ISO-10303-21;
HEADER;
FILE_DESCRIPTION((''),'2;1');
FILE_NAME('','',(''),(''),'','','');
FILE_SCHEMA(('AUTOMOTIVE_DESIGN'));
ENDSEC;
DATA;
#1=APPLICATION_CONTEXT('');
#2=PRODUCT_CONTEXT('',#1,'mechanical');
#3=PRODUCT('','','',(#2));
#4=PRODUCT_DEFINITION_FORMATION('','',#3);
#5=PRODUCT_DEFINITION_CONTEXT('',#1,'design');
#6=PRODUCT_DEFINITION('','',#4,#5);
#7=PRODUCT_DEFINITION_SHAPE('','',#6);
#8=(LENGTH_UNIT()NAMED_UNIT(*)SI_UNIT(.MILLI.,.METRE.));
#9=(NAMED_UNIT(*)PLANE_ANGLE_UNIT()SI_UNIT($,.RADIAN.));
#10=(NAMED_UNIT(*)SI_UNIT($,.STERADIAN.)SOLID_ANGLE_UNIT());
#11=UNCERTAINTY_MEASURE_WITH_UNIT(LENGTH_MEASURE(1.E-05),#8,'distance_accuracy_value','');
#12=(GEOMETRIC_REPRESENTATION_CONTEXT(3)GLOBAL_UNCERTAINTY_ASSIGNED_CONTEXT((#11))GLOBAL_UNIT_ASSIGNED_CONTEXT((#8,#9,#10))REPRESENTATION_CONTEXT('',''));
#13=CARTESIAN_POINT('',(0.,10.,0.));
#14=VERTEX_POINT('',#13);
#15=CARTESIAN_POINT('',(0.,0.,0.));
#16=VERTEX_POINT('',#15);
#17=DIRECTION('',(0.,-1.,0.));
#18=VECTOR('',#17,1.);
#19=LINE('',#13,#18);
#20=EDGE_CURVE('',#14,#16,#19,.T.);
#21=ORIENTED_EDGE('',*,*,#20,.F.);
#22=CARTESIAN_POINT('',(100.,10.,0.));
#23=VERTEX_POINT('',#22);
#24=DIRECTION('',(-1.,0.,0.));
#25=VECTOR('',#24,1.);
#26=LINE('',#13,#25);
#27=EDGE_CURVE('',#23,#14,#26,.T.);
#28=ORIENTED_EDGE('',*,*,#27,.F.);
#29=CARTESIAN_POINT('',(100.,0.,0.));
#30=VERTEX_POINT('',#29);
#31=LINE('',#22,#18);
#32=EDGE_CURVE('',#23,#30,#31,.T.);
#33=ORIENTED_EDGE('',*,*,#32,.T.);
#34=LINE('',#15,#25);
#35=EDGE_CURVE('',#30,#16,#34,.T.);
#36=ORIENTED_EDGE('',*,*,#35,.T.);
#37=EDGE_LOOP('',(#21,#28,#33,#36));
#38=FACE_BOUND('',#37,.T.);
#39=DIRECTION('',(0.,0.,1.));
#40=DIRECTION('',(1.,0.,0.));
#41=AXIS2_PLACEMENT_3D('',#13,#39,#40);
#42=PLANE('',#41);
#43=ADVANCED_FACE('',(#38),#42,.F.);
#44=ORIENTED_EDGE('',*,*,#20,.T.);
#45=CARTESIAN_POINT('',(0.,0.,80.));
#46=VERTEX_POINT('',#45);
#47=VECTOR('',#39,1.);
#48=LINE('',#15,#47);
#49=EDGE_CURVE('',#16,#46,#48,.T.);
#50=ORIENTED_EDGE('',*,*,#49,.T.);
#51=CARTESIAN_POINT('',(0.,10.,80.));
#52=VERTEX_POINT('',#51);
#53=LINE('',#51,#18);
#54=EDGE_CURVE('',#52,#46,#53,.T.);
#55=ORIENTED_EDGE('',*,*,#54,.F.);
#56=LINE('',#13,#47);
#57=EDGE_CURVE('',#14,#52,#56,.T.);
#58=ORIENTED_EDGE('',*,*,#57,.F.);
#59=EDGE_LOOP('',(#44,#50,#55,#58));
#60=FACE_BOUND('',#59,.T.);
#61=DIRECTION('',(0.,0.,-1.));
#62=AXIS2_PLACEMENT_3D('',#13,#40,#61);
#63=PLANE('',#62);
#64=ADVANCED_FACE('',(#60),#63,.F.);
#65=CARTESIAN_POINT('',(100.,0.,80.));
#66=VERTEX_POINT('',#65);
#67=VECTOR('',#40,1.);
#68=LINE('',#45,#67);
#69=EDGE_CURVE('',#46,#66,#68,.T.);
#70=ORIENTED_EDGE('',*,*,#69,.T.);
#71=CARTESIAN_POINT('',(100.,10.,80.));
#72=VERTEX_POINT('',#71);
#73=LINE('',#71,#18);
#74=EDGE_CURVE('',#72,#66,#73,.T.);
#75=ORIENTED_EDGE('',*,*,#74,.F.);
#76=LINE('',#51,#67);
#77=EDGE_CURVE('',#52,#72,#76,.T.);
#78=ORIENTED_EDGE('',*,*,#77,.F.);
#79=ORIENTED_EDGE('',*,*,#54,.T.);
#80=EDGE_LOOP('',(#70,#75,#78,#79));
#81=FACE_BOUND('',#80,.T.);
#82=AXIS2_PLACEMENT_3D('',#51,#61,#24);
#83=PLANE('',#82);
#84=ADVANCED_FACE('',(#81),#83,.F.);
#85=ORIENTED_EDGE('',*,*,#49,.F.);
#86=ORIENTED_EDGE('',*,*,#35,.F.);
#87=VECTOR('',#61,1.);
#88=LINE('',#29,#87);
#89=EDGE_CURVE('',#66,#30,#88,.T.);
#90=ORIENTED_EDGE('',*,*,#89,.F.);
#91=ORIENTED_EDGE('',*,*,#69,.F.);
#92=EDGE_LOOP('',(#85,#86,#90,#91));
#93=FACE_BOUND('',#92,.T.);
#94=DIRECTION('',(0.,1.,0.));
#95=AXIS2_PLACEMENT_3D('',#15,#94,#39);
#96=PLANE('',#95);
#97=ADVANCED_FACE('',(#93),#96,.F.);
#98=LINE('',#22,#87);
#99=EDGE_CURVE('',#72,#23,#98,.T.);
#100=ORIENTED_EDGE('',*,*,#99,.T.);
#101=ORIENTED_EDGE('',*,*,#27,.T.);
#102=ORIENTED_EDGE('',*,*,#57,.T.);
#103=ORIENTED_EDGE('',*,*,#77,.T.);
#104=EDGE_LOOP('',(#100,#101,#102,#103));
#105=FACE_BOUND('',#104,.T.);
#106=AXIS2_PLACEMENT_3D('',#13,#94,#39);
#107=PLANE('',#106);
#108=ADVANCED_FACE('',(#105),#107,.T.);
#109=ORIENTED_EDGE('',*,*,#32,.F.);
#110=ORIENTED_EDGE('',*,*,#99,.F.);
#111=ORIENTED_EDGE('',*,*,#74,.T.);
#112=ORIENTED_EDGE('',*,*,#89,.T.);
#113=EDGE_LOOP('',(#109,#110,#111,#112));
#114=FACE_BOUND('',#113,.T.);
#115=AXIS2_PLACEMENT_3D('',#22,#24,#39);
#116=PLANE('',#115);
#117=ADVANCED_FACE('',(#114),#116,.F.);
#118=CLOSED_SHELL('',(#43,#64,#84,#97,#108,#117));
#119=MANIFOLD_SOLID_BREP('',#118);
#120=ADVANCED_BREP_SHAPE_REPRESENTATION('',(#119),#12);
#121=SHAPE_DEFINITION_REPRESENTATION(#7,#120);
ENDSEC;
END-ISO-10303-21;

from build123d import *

# Parameters (mm, degrees)
SCHIZZO1_W                   = 100
SCHIZZO1_H                   = 80
ESTRUSIONE_ESTRUSIONE1_DEPTH = 10


with BuildPart() as part:
    # Schizzo1 → Estrusione-Estrusione1 (new body)
    with BuildSketch(Plane(origin=(0, 0, 0), x_dir=(1, 0, 0), z_dir=(0, 1, 0))):
        with Locations((50, -40)):
            Rectangle(SCHIZZO1_W, SCHIZZO1_H)
    extrude(amount=ESTRUSIONE_ESTRUSIONE1_DEPTH)


solid = part.part
